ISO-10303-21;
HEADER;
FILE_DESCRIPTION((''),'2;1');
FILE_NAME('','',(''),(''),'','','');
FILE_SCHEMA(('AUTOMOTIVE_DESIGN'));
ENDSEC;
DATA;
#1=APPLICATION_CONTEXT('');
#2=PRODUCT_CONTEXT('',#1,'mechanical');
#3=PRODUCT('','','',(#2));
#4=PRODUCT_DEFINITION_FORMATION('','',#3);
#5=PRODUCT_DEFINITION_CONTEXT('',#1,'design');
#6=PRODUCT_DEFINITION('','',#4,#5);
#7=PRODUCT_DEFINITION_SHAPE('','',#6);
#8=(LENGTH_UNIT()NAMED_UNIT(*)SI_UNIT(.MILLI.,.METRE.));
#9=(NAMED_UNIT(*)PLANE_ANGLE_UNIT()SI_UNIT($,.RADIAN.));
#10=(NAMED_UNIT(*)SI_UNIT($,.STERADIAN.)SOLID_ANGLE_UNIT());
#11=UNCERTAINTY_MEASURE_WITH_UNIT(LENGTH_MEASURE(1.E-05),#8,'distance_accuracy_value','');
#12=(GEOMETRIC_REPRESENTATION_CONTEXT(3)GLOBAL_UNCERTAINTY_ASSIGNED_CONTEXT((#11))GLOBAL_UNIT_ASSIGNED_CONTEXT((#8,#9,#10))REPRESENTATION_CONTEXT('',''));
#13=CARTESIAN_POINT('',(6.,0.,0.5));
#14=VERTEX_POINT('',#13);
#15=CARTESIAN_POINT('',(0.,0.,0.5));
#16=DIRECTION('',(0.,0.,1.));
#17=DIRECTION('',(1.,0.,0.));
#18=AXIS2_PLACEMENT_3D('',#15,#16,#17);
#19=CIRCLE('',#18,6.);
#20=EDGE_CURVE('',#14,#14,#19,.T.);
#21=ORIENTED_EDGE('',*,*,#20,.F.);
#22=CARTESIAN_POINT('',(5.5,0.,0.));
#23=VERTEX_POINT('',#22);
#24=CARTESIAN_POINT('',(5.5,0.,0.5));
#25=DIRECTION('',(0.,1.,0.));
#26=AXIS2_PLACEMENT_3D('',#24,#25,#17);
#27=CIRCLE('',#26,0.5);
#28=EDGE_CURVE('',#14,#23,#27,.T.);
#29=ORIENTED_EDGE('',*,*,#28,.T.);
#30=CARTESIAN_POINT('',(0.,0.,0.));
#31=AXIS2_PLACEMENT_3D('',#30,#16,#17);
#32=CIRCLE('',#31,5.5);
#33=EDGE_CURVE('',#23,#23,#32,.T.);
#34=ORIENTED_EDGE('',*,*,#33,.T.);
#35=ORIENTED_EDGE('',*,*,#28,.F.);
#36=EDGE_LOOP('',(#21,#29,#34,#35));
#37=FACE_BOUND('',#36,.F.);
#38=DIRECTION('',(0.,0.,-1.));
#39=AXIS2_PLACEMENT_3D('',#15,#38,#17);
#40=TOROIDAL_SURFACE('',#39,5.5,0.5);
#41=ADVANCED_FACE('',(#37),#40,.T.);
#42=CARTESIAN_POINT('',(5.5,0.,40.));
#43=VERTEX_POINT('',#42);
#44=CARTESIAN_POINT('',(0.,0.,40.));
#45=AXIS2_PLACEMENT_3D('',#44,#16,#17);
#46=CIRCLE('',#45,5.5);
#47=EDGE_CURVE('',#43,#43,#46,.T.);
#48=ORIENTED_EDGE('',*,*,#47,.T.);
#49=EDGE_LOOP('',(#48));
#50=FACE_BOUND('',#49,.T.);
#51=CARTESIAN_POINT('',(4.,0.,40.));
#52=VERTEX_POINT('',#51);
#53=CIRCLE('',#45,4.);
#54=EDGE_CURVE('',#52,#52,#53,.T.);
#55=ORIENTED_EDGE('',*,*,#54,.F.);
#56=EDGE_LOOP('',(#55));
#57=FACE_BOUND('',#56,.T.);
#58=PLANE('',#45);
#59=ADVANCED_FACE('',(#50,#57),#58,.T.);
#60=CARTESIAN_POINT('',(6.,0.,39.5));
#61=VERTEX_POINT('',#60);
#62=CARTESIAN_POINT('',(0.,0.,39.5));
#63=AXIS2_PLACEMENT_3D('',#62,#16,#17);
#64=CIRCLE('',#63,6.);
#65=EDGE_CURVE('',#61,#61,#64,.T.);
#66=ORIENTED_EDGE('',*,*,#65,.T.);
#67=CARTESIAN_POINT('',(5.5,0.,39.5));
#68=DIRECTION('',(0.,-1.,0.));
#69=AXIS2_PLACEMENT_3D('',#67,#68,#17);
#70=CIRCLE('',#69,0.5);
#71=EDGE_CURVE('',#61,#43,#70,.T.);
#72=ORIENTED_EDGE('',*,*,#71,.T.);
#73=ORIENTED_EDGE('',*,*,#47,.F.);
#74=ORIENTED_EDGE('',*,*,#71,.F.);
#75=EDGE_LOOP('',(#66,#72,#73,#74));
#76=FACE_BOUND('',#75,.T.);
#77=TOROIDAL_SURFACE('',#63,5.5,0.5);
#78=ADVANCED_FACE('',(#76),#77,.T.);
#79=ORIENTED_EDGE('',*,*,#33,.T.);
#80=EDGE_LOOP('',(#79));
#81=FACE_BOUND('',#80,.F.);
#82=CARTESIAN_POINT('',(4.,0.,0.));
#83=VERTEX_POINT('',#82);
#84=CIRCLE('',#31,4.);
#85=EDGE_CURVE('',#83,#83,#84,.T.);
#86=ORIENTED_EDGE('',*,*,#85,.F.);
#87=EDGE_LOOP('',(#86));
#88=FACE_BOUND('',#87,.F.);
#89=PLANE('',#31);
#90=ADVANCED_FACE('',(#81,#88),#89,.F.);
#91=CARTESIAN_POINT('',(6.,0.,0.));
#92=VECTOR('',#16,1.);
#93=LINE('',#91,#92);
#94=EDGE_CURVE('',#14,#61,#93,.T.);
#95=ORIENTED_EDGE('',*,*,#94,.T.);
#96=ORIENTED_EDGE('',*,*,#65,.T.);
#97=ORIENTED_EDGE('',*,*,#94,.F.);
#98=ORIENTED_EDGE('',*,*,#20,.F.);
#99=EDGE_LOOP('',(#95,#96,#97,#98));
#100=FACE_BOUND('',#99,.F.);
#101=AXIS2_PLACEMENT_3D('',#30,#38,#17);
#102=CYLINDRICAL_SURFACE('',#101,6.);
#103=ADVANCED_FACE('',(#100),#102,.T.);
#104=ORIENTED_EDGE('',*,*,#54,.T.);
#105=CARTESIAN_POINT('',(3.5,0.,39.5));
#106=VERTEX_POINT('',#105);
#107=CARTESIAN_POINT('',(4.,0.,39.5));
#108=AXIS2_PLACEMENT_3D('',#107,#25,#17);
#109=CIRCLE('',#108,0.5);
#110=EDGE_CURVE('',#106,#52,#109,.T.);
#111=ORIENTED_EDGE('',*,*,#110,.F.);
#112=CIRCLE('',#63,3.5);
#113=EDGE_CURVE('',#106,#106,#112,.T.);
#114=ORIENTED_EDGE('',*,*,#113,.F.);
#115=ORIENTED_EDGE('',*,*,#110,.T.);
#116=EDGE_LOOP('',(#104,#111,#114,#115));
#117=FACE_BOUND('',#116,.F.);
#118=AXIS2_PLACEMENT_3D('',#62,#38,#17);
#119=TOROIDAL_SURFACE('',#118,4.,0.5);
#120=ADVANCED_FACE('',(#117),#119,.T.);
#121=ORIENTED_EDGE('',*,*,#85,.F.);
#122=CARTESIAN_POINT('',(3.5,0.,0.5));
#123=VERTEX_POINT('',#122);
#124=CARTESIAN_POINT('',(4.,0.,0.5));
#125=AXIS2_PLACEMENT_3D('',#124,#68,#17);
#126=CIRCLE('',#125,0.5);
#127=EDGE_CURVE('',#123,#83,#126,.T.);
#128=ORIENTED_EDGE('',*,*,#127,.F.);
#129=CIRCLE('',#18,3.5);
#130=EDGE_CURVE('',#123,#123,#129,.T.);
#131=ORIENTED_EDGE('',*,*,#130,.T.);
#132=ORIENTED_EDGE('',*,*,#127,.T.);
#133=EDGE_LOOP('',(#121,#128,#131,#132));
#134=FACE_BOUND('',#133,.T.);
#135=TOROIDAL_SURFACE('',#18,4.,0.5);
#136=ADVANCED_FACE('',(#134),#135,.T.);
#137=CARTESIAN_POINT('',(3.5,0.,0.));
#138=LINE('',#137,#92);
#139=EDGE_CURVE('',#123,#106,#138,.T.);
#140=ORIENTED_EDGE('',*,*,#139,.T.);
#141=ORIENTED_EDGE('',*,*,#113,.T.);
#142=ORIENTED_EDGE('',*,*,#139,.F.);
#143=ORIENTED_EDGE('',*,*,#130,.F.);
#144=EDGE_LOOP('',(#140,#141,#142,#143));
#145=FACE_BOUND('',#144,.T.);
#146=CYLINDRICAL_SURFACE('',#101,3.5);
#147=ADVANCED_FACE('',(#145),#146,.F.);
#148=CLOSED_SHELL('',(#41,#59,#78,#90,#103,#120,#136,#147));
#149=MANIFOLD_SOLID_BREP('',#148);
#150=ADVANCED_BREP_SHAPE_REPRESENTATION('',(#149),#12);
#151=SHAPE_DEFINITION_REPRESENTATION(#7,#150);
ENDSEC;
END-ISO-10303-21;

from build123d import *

# Parameters (mm, degrees)
SZKIC1_R                    = 6
SZKIC1_R_2                  = 3.5
DODANIE_WYCI_GNI_CIE1_DEPTH = 40
ZAOKR_GLENIE2_R             = 0.5


with BuildPart() as part:
    # Szkic1 → Dodanie-wyciągnięcie1 (new body)
    with BuildSketch(Plane.XY):
        Circle(SZKIC1_R)
        Circle(SZKIC1_R_2, mode=Mode.SUBTRACT)
    extrude(amount=DODANIE_WYCI_GNI_CIE1_DEPTH)

    # Zaokrąglenie2
    zaokr_glenie2_edges = [part.edges().sort_by_distance(p)[0] for p in [
        (-6, 0, 0),
        (-6, 0, 40),
        (-3.5, 0, 0),
        (-3.5, 0, 40),
    ]]
    fillet(zaokr_glenie2_edges, radius=ZAOKR_GLENIE2_R)


solid = part.part
